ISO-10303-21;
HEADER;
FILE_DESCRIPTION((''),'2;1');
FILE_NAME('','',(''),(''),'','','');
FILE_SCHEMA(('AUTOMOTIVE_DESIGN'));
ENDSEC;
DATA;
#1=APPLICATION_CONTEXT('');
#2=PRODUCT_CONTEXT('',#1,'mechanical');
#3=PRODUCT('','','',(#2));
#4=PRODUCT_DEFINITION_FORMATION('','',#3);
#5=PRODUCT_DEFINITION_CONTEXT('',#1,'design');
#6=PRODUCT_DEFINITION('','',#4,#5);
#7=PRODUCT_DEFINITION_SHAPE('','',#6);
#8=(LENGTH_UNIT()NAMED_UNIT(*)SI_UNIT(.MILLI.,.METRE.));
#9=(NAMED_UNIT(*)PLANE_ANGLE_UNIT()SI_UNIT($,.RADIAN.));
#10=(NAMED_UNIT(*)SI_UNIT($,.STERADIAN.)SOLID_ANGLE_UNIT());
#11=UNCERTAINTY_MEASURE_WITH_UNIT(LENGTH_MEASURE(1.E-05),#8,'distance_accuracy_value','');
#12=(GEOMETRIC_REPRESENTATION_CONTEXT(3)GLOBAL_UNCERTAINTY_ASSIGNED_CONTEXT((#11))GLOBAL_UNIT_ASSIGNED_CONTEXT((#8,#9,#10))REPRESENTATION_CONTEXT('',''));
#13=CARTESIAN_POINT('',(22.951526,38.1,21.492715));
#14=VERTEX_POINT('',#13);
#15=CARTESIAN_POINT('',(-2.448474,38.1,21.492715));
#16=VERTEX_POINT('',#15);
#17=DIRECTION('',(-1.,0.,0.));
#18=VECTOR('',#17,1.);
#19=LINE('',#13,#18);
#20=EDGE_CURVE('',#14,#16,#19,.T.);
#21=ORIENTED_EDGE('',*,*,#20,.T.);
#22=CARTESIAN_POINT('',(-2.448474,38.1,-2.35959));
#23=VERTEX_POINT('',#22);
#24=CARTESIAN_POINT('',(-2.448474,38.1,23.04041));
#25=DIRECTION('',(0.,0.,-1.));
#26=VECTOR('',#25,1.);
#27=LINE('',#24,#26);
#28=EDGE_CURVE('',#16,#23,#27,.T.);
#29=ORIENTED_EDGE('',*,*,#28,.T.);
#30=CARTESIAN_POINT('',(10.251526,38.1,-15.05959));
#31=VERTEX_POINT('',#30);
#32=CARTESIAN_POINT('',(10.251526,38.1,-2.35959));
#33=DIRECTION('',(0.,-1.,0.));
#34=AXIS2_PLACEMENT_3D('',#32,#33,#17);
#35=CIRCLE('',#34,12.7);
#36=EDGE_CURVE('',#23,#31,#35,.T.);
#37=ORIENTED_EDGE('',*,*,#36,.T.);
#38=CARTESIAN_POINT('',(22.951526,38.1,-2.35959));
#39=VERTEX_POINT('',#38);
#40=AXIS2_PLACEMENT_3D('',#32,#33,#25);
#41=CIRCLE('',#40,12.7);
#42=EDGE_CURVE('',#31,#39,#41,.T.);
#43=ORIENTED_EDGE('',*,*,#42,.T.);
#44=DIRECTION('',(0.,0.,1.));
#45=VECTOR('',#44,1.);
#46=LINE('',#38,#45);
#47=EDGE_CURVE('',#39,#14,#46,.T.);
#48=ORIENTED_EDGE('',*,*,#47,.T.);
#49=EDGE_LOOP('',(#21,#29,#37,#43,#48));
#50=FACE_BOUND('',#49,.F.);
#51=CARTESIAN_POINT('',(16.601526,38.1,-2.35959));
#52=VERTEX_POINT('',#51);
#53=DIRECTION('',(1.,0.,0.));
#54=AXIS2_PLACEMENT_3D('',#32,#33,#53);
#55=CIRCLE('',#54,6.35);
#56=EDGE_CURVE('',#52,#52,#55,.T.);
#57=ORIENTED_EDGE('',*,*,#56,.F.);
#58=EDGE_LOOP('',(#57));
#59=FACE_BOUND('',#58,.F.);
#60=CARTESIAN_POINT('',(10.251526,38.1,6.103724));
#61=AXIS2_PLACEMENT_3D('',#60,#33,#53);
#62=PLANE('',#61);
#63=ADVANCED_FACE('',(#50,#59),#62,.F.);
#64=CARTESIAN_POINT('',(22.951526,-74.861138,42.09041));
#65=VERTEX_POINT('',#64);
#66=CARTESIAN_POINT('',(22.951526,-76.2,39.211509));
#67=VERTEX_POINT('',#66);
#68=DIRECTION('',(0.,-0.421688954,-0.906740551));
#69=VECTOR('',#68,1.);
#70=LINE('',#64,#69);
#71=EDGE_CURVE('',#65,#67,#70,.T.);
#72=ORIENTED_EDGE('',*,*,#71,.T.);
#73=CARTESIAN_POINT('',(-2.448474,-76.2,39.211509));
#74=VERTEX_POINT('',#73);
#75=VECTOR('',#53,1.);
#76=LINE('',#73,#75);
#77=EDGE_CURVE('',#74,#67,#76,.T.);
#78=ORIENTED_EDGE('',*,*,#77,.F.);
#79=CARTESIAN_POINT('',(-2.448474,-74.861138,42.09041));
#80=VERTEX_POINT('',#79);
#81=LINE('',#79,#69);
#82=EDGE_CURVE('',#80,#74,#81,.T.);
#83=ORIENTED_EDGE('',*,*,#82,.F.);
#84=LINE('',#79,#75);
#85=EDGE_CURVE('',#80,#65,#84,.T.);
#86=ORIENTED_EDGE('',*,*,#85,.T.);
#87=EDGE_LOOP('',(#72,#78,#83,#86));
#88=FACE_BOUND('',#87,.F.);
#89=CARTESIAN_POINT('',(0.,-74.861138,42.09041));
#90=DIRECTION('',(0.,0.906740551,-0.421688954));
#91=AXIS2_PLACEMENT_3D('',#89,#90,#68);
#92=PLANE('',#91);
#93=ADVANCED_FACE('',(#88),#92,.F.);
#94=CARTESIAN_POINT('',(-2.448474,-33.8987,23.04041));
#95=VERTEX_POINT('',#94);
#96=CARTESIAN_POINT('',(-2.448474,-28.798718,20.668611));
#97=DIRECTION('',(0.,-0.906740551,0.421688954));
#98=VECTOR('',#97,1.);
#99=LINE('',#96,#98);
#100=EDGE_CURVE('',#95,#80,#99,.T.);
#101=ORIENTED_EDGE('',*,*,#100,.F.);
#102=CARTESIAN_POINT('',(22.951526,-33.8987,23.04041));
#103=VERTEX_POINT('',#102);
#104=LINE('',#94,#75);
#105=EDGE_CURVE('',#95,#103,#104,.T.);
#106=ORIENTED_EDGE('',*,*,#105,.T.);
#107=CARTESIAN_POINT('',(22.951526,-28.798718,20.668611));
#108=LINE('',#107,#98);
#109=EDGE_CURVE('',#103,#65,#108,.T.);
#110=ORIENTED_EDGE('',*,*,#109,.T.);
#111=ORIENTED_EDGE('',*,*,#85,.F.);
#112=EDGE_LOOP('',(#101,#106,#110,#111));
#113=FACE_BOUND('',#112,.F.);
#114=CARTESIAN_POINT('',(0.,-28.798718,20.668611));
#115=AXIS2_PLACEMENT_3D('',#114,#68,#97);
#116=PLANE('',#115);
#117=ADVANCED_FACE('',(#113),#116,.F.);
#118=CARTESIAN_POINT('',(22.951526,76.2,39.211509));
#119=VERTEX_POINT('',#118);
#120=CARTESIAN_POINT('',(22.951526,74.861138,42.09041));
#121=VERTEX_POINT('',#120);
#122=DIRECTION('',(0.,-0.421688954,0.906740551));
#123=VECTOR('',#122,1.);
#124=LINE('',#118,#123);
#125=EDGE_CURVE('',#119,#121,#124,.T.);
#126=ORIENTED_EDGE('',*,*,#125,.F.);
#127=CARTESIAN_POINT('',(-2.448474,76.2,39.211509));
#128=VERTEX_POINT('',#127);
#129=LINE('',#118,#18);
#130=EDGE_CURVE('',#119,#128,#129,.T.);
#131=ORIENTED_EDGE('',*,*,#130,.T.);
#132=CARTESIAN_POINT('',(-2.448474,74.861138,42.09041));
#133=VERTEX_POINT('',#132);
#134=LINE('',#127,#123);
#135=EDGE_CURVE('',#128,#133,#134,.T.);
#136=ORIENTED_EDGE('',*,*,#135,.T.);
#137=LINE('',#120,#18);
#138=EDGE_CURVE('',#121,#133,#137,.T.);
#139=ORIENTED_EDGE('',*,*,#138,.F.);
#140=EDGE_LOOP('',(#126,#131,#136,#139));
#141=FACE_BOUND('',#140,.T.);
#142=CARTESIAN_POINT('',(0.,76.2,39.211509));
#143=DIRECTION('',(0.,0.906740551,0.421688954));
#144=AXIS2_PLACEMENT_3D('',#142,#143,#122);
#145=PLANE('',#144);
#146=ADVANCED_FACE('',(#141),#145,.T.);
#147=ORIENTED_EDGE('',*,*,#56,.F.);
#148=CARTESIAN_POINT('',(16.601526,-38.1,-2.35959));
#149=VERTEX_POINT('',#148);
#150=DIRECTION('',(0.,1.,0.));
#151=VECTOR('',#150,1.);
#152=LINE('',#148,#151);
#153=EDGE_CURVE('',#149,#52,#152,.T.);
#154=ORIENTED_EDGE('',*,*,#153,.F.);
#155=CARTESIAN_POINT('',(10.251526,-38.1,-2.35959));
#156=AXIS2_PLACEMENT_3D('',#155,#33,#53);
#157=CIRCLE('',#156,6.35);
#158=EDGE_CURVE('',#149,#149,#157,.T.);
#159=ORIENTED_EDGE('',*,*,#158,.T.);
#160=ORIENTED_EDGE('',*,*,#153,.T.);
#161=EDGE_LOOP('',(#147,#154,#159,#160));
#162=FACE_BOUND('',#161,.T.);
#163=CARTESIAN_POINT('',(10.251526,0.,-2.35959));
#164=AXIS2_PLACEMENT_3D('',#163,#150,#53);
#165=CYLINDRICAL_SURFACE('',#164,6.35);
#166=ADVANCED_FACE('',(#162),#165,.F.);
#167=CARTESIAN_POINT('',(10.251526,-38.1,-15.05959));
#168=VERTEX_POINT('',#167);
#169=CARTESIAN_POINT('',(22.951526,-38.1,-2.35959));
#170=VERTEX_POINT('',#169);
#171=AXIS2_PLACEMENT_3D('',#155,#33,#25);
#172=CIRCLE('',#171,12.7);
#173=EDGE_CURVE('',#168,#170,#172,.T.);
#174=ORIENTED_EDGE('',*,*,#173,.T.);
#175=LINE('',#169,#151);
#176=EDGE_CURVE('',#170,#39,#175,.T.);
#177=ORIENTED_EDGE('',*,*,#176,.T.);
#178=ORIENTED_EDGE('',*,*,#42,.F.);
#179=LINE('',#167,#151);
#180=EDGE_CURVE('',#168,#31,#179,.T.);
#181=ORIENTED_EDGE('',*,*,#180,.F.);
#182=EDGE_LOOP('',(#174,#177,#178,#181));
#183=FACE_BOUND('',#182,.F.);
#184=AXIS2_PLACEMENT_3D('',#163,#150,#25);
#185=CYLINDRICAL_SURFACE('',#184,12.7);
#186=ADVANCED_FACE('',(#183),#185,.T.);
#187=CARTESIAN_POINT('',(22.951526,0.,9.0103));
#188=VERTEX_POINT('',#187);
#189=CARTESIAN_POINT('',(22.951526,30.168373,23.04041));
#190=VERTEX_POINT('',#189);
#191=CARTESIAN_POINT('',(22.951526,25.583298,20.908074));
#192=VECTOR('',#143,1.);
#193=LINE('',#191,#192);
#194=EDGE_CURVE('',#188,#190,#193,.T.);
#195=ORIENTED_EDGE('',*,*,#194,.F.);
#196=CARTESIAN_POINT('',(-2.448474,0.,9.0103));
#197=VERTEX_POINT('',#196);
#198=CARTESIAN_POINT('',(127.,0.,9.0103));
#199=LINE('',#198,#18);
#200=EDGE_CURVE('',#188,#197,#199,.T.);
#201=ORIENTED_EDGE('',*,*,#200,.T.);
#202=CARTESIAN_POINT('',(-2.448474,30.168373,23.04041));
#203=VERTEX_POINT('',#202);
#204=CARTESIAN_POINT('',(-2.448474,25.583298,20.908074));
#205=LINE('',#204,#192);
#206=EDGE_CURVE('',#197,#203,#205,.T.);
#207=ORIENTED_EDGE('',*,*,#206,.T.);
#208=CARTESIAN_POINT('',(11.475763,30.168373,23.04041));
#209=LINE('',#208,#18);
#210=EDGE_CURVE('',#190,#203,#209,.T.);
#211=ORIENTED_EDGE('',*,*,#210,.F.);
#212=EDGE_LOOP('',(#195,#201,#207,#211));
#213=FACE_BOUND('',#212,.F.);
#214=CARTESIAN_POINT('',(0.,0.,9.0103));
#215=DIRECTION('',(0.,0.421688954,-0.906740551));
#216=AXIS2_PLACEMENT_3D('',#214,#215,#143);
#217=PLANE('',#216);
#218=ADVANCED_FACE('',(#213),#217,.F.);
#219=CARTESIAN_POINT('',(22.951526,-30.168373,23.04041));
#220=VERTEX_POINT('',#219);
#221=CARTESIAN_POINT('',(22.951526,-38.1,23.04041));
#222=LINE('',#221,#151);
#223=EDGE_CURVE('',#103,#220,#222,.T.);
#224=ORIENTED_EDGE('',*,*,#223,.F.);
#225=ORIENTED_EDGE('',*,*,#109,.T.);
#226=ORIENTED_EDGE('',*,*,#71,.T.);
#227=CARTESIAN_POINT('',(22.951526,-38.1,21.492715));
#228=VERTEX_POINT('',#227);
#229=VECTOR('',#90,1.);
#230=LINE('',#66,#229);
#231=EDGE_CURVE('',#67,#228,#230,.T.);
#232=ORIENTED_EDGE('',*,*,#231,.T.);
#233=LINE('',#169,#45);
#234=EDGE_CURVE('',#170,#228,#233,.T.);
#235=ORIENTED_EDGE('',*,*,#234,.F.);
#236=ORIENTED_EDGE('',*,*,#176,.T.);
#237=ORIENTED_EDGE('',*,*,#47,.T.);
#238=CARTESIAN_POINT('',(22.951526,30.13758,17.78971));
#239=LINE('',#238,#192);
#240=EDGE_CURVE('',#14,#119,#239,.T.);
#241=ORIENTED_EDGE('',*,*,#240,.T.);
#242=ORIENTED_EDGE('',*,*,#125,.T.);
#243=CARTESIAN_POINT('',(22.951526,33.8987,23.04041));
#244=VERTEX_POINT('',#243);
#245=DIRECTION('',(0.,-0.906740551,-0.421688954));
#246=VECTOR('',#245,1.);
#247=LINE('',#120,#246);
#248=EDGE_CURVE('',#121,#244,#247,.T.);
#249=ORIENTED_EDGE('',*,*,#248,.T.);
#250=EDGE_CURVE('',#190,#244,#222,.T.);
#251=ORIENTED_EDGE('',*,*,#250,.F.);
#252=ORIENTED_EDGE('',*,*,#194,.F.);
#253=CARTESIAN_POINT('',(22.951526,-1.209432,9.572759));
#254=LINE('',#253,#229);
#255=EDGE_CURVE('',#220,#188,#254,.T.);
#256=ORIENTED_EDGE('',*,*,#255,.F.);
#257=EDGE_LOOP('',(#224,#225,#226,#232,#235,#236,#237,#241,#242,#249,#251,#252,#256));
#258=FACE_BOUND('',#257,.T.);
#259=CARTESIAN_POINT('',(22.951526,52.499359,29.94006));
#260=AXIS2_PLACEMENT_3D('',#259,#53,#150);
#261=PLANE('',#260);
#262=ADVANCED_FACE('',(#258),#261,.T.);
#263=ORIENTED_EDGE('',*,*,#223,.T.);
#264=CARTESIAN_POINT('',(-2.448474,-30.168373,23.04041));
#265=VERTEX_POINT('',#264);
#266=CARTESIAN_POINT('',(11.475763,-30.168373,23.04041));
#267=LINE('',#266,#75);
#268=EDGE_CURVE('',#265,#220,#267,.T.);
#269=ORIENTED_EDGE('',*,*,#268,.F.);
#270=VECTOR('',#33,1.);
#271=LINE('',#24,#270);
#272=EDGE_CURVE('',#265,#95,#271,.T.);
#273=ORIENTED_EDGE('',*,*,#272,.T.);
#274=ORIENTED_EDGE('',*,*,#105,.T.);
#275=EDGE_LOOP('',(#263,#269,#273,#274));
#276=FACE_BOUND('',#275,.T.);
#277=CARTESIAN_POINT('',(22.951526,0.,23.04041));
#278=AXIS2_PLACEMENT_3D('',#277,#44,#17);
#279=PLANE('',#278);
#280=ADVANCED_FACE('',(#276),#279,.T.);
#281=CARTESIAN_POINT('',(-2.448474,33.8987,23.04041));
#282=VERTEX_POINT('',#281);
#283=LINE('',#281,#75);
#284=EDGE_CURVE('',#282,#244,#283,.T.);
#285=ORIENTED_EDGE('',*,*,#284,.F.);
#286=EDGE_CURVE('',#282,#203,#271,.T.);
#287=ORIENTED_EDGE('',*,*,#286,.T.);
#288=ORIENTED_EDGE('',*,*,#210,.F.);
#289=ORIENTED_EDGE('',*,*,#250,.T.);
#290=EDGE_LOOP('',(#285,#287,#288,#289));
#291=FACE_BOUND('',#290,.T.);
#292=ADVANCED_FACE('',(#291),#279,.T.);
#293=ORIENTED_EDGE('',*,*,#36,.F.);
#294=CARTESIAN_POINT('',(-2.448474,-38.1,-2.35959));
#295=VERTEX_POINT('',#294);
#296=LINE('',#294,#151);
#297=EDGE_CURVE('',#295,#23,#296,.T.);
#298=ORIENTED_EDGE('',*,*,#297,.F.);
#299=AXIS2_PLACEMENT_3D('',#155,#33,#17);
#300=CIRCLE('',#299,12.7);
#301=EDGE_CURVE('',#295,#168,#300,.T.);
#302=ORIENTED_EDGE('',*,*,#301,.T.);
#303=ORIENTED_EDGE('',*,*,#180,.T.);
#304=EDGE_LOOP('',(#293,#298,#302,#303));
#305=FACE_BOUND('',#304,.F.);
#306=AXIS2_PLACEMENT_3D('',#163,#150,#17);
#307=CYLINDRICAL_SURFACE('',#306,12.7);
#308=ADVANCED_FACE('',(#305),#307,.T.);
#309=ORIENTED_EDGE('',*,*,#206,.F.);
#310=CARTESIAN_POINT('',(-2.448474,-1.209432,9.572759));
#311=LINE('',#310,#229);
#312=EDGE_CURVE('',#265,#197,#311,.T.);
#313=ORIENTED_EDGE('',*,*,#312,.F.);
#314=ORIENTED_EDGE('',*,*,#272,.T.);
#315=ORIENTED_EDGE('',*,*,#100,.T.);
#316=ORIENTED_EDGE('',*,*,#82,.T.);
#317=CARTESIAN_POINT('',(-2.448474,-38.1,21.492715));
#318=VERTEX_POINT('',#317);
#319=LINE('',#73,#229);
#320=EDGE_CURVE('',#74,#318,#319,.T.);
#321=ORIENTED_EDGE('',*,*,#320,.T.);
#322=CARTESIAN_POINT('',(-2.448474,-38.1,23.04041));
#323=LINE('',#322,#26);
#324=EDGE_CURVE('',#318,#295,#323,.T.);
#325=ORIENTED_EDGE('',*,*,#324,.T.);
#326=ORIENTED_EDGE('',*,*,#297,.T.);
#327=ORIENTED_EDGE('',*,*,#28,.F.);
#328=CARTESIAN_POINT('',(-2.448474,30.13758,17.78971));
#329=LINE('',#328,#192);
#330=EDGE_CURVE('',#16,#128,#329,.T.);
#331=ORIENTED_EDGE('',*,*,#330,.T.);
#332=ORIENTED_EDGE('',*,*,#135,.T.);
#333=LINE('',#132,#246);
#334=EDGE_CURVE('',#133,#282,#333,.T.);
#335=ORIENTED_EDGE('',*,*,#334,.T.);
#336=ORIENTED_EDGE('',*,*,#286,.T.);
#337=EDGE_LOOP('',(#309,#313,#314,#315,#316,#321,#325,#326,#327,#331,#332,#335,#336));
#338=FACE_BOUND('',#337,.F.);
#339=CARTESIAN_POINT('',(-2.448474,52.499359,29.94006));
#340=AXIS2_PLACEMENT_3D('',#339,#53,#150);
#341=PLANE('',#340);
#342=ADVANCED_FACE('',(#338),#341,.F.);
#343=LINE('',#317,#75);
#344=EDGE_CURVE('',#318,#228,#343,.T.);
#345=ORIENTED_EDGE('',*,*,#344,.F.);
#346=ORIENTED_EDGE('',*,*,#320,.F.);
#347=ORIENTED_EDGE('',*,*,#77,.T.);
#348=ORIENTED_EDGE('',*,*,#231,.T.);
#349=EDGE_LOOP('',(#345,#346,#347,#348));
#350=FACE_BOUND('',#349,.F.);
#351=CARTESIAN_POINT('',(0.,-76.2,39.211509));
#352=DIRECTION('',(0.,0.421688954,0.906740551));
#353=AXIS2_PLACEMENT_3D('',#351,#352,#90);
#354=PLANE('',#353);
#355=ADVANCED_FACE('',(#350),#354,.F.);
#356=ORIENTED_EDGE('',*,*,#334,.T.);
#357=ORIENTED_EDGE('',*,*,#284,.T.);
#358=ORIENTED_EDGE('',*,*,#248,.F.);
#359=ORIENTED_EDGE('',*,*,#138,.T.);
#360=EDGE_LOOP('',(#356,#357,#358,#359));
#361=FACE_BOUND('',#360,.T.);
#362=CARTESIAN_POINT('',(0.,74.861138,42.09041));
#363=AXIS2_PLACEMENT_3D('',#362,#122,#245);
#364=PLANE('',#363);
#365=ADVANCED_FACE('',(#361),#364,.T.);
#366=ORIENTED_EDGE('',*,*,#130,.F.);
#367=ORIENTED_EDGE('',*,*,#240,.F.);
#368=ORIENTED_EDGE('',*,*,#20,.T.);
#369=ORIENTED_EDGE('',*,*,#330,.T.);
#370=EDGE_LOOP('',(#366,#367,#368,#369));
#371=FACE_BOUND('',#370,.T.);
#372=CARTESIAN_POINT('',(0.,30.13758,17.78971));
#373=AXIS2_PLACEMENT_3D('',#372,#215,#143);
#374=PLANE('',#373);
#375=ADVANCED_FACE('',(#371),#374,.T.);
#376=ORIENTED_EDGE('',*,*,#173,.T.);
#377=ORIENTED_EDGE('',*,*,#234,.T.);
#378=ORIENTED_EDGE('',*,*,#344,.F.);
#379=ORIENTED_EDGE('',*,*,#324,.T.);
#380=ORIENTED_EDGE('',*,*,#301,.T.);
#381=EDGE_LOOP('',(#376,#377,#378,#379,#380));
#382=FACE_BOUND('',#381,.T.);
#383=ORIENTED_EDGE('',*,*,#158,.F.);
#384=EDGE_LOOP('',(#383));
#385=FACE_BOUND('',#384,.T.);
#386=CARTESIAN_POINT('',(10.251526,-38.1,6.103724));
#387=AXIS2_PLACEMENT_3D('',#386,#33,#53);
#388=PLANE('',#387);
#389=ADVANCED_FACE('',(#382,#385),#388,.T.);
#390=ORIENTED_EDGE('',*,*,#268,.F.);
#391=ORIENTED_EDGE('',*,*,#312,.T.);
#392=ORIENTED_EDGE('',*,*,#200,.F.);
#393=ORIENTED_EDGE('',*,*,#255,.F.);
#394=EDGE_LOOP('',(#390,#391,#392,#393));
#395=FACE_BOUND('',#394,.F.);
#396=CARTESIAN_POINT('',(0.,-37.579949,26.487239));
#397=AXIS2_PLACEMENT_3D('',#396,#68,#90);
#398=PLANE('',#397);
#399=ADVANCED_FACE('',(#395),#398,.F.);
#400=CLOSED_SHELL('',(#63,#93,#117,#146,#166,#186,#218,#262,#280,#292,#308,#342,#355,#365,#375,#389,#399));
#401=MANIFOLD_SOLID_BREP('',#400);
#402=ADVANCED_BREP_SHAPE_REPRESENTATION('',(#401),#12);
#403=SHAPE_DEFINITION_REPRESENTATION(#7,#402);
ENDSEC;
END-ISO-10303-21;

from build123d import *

# Parameters (mm, degrees)
F0_R          = 6.35
F1_DEPTH      = 38.1
F3_DEPTH      = 22.9515263319
F3_DEPTH_BACK = 2.4484736681
F5_DEPTH      = 127


with BuildPart() as f1:
    # F0 (on Front) → F1 (new body, symmetric)
    with BuildSketch(Plane.XZ):
        with BuildLine():
            Line((22.9515263319, 23.0404102315), (-2.4484736681, 23.0404102315))
            Line((-2.4484736681, 23.0404102315), (-2.4484736681, -2.3595897685))
            ThreePointArc((-2.4484736681, -2.3595897685), (1.2712702108, -11.3398458895), (10.2515263319, -15.0595897685))
            ThreePointArc((10.2515263319, -15.0595897685), (19.231782453, -11.3398458895), (22.9515263319, -2.3595897685))
            Line((22.9515263319, -2.3595897685), (22.9515263319, 23.0404102315))
        make_face()
        with Locations((10.2515263319, -2.3595897685)):
            Circle(F0_R, mode=Mode.SUBTRACT)
    extrude(amount=F1_DEPTH, both=True)

    # F2 (on Right) → F3 (join, two sides)
    with BuildSketch(Plane.YZ) as f3_sk:
        Polygon((74.8611375716, 42.0904102315), (28.7987175975, 20.6686113778), (30.1375800259, 17.7897101294), (76.2, 39.2115089832), align=None)
        Polygon((-28.7987175975, 20.6686113778), (-74.8611375716, 42.0904102315), (-76.2, 39.2115089832), (-30.1375800259, 17.7897101294), align=None)
    extrude(amount=F3_DEPTH)
    extrude(f3_sk.sketch, amount=-F3_DEPTH_BACK)

    # F4 (on Right) → F5 (cut, symmetric)
    with BuildSketch(Plane.YZ):
        Polygon((0, 9.0103000402), (37.7937594108, 26.5866738495), (-37.5799492613, 26.4872392558), align=None)
    extrude(amount=F5_DEPTH, both=True, mode=Mode.SUBTRACT)


solid = f1.part
